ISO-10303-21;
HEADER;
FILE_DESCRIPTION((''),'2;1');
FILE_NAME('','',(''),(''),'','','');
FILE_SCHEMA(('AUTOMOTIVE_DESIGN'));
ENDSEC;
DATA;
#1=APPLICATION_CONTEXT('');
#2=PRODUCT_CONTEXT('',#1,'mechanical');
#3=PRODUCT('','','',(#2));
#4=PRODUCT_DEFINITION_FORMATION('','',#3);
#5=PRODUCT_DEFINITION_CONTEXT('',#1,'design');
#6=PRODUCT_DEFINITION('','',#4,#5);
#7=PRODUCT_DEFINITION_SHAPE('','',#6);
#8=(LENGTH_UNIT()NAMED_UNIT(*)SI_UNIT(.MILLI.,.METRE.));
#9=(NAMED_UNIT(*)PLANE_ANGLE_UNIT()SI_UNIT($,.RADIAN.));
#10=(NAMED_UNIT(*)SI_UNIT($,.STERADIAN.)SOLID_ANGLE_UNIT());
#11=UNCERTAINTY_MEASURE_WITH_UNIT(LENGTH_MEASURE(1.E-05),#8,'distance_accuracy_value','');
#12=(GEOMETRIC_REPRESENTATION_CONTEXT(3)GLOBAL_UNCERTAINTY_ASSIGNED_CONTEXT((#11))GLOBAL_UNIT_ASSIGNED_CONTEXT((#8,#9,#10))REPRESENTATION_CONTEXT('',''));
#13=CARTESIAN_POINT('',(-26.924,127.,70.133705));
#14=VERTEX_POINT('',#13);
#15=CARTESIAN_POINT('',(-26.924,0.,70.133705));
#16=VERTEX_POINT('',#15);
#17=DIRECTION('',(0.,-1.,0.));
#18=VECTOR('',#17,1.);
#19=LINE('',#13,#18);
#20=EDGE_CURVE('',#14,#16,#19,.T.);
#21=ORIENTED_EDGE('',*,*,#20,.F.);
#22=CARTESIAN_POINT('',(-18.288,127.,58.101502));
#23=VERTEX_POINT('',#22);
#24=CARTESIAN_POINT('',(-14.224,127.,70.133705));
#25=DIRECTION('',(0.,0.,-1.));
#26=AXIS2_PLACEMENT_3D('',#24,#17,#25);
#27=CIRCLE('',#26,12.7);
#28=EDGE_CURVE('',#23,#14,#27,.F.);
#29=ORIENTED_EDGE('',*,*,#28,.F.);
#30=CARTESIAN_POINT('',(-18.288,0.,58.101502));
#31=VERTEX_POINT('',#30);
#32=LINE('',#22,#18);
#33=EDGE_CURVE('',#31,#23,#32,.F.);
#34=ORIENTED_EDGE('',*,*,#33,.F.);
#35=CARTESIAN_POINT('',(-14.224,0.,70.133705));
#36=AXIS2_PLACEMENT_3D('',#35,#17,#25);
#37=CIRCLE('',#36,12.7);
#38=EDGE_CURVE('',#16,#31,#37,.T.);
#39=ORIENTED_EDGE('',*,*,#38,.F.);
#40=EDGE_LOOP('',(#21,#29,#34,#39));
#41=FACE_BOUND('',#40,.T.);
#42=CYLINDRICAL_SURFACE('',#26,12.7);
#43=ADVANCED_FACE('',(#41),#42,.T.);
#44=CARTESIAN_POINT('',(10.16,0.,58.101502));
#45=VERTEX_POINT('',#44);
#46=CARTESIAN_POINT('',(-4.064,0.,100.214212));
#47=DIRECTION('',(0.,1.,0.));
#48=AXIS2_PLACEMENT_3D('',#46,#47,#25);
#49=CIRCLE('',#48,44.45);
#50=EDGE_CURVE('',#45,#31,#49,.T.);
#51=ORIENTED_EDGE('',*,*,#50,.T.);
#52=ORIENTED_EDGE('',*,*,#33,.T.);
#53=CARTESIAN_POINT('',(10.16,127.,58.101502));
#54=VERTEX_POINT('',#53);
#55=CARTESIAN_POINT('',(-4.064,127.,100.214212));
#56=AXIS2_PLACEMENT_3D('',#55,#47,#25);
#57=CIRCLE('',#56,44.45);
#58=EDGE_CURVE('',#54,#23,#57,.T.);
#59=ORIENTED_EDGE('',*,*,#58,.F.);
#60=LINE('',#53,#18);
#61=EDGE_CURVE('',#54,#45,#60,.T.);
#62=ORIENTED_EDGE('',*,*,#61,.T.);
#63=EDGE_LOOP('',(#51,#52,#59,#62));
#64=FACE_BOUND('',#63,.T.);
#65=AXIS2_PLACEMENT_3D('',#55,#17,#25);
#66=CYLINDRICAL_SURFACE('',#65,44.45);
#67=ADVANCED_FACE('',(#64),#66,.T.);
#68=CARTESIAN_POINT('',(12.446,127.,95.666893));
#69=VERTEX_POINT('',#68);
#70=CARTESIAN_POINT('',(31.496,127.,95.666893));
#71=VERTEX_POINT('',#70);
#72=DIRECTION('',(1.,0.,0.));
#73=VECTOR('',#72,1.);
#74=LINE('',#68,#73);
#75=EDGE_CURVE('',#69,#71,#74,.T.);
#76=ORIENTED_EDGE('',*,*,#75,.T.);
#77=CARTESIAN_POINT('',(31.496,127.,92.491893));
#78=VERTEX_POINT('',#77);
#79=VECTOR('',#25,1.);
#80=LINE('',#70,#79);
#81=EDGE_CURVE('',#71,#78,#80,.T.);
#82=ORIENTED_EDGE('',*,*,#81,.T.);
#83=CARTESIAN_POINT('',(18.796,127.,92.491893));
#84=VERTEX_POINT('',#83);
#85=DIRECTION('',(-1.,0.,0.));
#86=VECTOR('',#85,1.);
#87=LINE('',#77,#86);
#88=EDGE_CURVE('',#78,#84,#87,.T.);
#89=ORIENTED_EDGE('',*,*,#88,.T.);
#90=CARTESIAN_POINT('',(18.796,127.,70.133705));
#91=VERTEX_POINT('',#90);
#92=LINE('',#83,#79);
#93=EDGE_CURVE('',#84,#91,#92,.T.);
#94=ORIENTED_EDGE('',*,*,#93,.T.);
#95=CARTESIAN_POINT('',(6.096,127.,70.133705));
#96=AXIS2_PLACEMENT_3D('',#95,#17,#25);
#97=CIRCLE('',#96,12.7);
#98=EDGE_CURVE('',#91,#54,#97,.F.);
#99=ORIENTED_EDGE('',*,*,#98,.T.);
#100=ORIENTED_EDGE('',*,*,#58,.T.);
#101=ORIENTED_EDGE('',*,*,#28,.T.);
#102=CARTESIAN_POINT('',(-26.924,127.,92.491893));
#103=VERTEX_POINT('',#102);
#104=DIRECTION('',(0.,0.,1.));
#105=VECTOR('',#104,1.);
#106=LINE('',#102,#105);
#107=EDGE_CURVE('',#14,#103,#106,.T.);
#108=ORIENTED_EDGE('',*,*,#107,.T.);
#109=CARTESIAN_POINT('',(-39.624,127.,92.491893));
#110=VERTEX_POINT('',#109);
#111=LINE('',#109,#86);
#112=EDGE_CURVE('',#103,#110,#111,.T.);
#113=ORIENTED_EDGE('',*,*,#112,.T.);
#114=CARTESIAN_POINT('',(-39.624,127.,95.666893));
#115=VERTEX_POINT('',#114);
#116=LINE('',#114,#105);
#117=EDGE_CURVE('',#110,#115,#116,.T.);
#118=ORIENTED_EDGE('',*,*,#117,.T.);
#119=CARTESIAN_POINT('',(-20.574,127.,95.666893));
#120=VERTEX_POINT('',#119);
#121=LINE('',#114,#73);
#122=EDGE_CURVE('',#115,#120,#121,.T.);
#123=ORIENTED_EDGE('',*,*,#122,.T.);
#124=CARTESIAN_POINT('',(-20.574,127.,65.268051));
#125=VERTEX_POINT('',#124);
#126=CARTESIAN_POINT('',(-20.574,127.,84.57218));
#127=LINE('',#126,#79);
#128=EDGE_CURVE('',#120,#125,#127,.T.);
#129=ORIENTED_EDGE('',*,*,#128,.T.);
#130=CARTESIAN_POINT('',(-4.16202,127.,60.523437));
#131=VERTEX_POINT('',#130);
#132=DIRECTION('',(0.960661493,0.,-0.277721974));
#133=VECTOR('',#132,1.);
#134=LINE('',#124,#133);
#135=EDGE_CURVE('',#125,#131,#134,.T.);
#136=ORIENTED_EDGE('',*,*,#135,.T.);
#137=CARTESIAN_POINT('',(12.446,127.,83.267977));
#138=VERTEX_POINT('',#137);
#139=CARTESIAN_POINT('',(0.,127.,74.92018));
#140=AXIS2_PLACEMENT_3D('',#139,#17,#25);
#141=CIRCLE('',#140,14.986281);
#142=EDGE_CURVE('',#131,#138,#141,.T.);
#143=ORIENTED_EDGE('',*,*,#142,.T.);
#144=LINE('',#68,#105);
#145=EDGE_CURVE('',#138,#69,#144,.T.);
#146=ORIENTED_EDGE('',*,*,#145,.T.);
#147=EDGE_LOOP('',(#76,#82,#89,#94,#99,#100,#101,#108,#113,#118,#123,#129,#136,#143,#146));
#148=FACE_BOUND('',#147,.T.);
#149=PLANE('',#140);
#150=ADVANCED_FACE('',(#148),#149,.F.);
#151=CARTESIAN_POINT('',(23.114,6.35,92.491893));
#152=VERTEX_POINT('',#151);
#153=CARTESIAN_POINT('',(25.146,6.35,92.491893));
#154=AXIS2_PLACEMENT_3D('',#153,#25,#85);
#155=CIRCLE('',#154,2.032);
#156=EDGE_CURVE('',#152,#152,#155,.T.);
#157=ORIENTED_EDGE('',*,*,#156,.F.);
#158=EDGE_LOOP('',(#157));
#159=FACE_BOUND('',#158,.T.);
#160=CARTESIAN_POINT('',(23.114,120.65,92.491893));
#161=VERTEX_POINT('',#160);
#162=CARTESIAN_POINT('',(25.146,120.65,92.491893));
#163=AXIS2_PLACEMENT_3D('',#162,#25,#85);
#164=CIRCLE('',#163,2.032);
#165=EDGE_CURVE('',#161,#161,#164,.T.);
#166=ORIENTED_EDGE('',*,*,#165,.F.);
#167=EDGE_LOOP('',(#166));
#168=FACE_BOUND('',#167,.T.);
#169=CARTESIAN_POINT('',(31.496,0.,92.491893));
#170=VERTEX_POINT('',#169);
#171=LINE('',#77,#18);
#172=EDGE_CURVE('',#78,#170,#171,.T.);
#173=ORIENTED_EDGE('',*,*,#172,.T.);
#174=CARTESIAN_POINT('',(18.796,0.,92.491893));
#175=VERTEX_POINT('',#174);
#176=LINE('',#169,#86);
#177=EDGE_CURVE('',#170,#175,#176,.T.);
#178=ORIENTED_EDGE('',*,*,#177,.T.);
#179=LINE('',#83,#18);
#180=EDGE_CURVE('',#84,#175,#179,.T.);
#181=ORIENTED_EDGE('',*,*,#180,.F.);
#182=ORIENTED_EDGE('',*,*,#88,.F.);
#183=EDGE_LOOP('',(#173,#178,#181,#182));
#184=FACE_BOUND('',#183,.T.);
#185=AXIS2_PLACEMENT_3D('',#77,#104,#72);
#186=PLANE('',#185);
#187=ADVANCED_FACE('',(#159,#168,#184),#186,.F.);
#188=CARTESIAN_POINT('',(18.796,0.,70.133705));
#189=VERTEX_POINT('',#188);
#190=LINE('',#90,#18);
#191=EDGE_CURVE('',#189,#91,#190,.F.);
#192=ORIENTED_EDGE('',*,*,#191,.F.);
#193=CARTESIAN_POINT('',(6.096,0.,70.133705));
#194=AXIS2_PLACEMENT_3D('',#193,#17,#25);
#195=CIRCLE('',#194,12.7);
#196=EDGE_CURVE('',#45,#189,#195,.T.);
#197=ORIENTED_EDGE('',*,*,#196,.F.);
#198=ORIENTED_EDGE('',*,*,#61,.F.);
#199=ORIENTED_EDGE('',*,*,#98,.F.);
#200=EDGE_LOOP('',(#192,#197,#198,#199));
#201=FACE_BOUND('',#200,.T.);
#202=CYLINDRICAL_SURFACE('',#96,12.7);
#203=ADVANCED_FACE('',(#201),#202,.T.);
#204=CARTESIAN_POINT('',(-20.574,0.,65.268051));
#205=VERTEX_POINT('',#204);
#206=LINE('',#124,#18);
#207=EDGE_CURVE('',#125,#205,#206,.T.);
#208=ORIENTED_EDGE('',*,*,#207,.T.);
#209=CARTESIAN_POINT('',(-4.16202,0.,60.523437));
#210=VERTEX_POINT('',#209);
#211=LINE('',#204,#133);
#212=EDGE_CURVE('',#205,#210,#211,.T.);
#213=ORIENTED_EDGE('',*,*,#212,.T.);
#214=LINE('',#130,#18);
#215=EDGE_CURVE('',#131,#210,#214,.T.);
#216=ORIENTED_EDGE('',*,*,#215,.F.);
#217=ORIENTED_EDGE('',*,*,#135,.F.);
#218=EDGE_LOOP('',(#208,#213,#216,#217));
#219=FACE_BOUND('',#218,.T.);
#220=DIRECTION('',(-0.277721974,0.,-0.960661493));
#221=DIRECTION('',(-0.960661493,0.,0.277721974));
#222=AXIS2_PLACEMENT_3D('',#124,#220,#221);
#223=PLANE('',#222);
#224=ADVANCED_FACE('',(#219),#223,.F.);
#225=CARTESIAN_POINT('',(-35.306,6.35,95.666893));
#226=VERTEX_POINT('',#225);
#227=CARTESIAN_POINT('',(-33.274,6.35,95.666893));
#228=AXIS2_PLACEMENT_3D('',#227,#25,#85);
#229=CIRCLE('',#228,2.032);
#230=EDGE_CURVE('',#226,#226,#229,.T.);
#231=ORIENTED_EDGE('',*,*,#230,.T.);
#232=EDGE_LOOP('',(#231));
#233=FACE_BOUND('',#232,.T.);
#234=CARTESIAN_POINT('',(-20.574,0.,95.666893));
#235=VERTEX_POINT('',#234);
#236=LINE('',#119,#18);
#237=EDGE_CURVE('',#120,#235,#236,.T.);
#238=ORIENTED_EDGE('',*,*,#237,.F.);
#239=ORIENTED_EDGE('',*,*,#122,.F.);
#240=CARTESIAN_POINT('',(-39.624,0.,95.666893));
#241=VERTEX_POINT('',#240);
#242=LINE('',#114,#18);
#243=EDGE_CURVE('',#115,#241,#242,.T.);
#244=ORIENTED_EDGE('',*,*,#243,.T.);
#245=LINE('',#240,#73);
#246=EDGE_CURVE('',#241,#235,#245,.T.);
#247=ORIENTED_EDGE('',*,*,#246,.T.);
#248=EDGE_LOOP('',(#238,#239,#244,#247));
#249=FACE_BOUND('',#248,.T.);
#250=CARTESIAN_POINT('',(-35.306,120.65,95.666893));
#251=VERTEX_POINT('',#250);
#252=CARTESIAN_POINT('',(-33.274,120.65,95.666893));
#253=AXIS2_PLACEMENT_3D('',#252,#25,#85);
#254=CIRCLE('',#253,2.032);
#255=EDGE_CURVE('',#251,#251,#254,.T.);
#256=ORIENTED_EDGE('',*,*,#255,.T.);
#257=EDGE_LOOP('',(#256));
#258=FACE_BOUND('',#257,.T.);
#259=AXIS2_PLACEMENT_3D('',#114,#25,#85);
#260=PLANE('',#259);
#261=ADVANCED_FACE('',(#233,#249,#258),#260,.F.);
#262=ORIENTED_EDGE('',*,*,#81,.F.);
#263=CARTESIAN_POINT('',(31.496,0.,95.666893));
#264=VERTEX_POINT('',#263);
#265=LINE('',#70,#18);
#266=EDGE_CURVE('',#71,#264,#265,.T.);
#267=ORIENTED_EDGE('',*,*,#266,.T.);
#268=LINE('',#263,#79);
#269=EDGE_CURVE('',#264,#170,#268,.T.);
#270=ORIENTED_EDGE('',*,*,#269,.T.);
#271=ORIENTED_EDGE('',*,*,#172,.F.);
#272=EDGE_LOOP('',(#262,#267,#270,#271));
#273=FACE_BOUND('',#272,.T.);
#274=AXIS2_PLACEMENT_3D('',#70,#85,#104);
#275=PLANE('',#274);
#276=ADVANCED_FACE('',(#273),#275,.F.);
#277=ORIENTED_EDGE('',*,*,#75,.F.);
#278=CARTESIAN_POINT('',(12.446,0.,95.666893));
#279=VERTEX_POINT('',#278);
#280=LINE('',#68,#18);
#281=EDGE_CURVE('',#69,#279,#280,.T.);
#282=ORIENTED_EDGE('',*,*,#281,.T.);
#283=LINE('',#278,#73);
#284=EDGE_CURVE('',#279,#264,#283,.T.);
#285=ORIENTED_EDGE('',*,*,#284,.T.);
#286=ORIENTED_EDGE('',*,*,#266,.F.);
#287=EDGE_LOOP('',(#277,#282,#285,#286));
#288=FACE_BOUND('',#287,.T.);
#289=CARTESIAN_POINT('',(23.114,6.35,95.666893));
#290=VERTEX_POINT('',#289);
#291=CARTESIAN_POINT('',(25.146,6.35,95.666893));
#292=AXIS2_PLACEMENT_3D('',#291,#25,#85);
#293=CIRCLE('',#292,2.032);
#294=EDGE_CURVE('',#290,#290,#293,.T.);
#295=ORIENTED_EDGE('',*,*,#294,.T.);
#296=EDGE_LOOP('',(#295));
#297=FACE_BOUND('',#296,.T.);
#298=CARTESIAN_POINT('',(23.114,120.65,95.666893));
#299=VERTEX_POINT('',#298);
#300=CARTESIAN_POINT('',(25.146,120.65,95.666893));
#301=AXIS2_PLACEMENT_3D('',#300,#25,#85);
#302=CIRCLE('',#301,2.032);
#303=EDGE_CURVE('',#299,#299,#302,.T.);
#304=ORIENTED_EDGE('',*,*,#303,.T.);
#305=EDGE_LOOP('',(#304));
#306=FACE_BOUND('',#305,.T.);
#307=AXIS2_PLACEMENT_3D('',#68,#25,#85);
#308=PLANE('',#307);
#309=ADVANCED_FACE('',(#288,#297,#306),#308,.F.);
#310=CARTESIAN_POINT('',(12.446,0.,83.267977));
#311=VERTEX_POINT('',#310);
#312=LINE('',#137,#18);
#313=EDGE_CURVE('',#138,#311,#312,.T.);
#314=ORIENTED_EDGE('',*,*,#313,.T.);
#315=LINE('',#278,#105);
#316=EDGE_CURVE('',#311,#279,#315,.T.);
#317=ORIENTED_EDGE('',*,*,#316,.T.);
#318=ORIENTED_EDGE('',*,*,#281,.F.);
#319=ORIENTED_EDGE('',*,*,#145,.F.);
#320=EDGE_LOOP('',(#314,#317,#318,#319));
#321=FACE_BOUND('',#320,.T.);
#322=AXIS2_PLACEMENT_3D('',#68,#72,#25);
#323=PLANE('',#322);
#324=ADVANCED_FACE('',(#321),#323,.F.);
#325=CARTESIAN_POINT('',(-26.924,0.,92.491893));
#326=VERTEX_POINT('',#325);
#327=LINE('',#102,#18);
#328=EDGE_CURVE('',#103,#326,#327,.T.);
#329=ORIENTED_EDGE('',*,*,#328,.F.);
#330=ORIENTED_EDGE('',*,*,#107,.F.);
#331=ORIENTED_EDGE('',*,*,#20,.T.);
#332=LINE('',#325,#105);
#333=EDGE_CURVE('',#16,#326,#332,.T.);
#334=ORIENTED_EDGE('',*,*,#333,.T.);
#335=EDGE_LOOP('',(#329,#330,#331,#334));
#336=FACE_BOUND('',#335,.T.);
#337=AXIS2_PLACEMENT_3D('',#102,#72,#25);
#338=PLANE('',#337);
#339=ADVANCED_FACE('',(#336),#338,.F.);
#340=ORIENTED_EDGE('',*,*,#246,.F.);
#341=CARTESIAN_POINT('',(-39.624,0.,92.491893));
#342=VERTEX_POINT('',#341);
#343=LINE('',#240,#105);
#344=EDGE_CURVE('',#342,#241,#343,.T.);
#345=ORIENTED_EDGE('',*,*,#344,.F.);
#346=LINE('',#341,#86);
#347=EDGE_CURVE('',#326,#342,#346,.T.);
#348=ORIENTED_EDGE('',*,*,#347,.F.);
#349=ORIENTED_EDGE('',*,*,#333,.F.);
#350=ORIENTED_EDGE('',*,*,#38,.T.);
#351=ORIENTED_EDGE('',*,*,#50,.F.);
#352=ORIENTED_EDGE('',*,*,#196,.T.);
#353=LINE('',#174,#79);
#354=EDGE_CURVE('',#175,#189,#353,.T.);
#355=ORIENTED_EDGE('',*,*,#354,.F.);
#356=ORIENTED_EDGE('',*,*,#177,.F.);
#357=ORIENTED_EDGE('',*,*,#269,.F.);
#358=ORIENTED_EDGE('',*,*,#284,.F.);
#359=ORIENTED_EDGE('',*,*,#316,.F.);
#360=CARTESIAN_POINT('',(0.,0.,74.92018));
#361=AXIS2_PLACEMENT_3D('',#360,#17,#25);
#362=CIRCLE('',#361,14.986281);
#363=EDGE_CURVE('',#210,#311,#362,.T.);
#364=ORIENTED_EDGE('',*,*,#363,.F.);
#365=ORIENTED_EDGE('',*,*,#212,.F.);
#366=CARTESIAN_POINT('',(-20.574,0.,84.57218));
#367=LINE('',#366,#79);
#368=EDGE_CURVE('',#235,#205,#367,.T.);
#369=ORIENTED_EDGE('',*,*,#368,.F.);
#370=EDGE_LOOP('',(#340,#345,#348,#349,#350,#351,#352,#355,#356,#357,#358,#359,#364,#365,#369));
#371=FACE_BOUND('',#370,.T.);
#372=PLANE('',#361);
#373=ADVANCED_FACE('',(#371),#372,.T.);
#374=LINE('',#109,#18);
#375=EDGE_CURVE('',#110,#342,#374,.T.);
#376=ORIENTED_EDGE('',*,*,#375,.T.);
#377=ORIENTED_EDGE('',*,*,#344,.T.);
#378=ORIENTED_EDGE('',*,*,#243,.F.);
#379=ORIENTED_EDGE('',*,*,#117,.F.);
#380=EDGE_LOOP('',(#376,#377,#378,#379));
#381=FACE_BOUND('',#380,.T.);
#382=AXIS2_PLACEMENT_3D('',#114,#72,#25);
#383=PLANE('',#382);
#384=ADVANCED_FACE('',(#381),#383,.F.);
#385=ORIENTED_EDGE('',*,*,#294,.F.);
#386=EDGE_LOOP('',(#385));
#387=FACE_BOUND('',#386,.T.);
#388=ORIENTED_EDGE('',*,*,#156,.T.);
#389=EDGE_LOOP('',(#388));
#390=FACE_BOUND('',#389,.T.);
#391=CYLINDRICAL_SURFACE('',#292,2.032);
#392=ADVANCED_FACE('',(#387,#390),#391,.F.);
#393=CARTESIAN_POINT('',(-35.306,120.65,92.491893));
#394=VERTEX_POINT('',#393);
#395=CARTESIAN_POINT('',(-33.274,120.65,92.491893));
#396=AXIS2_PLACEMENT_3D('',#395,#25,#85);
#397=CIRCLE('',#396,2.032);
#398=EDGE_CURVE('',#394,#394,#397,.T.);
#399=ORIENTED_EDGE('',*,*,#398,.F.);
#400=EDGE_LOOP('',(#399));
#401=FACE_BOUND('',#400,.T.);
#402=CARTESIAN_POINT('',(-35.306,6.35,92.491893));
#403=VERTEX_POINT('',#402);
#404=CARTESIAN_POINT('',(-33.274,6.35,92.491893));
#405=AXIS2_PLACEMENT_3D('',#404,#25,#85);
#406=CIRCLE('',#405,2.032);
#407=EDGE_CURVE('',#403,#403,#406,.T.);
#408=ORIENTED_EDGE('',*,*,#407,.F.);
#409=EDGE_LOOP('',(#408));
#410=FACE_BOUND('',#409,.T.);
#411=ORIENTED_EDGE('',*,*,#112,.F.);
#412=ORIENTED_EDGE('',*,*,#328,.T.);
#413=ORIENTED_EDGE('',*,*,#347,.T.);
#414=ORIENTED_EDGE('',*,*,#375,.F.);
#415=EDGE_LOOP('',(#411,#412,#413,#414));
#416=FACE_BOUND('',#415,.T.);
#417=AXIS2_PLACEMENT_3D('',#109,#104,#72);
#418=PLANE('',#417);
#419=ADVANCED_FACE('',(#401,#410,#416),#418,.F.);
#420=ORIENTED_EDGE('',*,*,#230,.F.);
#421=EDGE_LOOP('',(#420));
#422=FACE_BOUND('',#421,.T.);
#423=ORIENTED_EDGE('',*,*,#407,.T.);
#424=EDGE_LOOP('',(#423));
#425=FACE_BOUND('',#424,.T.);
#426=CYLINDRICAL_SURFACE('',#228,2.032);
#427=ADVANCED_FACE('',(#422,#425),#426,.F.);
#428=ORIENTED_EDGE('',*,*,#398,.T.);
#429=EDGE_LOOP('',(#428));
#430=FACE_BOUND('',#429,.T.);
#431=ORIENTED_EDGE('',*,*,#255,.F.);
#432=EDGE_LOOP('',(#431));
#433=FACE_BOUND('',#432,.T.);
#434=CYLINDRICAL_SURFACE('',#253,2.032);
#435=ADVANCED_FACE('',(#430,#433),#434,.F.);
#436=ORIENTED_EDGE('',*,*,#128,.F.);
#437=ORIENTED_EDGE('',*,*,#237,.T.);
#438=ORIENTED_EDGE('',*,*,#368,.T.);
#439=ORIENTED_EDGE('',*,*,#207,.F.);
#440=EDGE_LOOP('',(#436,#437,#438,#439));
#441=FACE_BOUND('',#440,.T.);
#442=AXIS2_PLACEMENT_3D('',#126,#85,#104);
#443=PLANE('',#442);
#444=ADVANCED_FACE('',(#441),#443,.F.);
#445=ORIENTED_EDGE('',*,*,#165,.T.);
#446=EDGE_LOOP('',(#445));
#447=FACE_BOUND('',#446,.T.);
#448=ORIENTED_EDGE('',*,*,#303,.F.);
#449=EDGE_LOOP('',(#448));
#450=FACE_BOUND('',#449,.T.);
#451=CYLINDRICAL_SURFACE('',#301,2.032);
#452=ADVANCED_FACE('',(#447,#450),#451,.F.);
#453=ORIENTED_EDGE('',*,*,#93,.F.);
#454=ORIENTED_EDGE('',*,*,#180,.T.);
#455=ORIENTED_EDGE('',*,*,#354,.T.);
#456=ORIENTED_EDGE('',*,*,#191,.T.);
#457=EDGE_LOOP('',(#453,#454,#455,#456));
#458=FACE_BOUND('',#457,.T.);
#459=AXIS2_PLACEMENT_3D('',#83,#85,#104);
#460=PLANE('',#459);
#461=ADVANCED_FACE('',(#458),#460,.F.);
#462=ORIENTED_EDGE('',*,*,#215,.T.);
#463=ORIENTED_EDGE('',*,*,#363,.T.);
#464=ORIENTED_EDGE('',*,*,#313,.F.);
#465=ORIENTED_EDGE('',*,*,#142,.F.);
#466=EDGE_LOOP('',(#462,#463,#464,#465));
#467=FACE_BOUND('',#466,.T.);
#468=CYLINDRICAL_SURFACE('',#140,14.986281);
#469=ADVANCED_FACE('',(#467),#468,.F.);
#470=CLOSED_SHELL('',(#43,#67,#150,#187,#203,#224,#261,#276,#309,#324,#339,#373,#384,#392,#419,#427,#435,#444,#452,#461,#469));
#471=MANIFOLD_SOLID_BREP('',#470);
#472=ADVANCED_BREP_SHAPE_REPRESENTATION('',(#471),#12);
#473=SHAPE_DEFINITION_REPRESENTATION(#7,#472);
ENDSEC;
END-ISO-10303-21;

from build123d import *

# Parameters (mm, degrees)
BOSS_EXTRUDE1_DEPTH = 127
FILLET2_R           = 12.7
SKETCH2_R           = 2.032
CUT_EXTRUDE1_DEPTH  = 139.014433952


with BuildPart() as part:
    # Sketch1 → Boss-Extrude1 (new body)
    with BuildSketch(Plane(origin=(0, 0, 0), x_dir=(1, 0, 0), z_dir=(0, 1, 0))):
        with BuildLine():
            Line((12.446, -95.666893232), (12.446, -83.267976842))
            ThreePointArc((12.446, -83.267976842), (12.103082443, -66.082532596), (-4.162019583, -60.523437125))
            Line((-4.162019583, -60.523437125), (-20.574, -65.268050741))
            Line((-20.574, -65.268050741), (-20.574, -84.572180345))
            Line((-20.574, -84.572180345), (-20.574, -95.666893232))
            Line((-20.574, -95.666893232), (-39.624, -95.666893232))
            Line((-39.624, -95.666893232), (-39.624, -92.491893232))
            Line((-39.624, -92.491893232), (-26.924, -92.491893232))
            Line((-26.924, -92.491893232), (-26.924, -62.093050741))
            ThreePointArc((-26.924, -62.093050741), (-4.064, -55.764211531), (18.796, -62.093050741))
            Line((18.796, -62.093050741), (18.796, -92.491893232))
            Line((18.796, -92.491893232), (31.496, -92.491893232))
            Line((31.496, -92.491893232), (31.496, -95.666893232))
            Line((31.496, -95.666893232), (12.446, -95.666893232))
        make_face()
    extrude(amount=BOSS_EXTRUDE1_DEPTH)

    # Fillet2
    fillet2_edges = [part.edges().sort_by_distance(p)[0] for p in [
        (-26.924, 63.5, 62.093050741),
        (18.796, 63.5, 62.093050741),
    ]]
    fillet(fillet2_edges, radius=FILLET2_R)

    # Sketch2 → Cut-Extrude1 (cut, through all)
    with BuildSketch(Plane(origin=(0, 0, 92.491893232), x_dir=(-1, 0, 0), z_dir=(0, 0, -1))):
        with Locations((-25.146, 120.65)):
            Circle(SKETCH2_R)
        with Locations((-25.146, 6.35)):
            Circle(SKETCH2_R)
        with Locations((33.274, 120.65)):
            Circle(SKETCH2_R)
        with Locations((33.274, 6.35)):
            Circle(SKETCH2_R)
    extrude(amount=-CUT_EXTRUDE1_DEPTH, mode=Mode.SUBTRACT)


solid = part.part
